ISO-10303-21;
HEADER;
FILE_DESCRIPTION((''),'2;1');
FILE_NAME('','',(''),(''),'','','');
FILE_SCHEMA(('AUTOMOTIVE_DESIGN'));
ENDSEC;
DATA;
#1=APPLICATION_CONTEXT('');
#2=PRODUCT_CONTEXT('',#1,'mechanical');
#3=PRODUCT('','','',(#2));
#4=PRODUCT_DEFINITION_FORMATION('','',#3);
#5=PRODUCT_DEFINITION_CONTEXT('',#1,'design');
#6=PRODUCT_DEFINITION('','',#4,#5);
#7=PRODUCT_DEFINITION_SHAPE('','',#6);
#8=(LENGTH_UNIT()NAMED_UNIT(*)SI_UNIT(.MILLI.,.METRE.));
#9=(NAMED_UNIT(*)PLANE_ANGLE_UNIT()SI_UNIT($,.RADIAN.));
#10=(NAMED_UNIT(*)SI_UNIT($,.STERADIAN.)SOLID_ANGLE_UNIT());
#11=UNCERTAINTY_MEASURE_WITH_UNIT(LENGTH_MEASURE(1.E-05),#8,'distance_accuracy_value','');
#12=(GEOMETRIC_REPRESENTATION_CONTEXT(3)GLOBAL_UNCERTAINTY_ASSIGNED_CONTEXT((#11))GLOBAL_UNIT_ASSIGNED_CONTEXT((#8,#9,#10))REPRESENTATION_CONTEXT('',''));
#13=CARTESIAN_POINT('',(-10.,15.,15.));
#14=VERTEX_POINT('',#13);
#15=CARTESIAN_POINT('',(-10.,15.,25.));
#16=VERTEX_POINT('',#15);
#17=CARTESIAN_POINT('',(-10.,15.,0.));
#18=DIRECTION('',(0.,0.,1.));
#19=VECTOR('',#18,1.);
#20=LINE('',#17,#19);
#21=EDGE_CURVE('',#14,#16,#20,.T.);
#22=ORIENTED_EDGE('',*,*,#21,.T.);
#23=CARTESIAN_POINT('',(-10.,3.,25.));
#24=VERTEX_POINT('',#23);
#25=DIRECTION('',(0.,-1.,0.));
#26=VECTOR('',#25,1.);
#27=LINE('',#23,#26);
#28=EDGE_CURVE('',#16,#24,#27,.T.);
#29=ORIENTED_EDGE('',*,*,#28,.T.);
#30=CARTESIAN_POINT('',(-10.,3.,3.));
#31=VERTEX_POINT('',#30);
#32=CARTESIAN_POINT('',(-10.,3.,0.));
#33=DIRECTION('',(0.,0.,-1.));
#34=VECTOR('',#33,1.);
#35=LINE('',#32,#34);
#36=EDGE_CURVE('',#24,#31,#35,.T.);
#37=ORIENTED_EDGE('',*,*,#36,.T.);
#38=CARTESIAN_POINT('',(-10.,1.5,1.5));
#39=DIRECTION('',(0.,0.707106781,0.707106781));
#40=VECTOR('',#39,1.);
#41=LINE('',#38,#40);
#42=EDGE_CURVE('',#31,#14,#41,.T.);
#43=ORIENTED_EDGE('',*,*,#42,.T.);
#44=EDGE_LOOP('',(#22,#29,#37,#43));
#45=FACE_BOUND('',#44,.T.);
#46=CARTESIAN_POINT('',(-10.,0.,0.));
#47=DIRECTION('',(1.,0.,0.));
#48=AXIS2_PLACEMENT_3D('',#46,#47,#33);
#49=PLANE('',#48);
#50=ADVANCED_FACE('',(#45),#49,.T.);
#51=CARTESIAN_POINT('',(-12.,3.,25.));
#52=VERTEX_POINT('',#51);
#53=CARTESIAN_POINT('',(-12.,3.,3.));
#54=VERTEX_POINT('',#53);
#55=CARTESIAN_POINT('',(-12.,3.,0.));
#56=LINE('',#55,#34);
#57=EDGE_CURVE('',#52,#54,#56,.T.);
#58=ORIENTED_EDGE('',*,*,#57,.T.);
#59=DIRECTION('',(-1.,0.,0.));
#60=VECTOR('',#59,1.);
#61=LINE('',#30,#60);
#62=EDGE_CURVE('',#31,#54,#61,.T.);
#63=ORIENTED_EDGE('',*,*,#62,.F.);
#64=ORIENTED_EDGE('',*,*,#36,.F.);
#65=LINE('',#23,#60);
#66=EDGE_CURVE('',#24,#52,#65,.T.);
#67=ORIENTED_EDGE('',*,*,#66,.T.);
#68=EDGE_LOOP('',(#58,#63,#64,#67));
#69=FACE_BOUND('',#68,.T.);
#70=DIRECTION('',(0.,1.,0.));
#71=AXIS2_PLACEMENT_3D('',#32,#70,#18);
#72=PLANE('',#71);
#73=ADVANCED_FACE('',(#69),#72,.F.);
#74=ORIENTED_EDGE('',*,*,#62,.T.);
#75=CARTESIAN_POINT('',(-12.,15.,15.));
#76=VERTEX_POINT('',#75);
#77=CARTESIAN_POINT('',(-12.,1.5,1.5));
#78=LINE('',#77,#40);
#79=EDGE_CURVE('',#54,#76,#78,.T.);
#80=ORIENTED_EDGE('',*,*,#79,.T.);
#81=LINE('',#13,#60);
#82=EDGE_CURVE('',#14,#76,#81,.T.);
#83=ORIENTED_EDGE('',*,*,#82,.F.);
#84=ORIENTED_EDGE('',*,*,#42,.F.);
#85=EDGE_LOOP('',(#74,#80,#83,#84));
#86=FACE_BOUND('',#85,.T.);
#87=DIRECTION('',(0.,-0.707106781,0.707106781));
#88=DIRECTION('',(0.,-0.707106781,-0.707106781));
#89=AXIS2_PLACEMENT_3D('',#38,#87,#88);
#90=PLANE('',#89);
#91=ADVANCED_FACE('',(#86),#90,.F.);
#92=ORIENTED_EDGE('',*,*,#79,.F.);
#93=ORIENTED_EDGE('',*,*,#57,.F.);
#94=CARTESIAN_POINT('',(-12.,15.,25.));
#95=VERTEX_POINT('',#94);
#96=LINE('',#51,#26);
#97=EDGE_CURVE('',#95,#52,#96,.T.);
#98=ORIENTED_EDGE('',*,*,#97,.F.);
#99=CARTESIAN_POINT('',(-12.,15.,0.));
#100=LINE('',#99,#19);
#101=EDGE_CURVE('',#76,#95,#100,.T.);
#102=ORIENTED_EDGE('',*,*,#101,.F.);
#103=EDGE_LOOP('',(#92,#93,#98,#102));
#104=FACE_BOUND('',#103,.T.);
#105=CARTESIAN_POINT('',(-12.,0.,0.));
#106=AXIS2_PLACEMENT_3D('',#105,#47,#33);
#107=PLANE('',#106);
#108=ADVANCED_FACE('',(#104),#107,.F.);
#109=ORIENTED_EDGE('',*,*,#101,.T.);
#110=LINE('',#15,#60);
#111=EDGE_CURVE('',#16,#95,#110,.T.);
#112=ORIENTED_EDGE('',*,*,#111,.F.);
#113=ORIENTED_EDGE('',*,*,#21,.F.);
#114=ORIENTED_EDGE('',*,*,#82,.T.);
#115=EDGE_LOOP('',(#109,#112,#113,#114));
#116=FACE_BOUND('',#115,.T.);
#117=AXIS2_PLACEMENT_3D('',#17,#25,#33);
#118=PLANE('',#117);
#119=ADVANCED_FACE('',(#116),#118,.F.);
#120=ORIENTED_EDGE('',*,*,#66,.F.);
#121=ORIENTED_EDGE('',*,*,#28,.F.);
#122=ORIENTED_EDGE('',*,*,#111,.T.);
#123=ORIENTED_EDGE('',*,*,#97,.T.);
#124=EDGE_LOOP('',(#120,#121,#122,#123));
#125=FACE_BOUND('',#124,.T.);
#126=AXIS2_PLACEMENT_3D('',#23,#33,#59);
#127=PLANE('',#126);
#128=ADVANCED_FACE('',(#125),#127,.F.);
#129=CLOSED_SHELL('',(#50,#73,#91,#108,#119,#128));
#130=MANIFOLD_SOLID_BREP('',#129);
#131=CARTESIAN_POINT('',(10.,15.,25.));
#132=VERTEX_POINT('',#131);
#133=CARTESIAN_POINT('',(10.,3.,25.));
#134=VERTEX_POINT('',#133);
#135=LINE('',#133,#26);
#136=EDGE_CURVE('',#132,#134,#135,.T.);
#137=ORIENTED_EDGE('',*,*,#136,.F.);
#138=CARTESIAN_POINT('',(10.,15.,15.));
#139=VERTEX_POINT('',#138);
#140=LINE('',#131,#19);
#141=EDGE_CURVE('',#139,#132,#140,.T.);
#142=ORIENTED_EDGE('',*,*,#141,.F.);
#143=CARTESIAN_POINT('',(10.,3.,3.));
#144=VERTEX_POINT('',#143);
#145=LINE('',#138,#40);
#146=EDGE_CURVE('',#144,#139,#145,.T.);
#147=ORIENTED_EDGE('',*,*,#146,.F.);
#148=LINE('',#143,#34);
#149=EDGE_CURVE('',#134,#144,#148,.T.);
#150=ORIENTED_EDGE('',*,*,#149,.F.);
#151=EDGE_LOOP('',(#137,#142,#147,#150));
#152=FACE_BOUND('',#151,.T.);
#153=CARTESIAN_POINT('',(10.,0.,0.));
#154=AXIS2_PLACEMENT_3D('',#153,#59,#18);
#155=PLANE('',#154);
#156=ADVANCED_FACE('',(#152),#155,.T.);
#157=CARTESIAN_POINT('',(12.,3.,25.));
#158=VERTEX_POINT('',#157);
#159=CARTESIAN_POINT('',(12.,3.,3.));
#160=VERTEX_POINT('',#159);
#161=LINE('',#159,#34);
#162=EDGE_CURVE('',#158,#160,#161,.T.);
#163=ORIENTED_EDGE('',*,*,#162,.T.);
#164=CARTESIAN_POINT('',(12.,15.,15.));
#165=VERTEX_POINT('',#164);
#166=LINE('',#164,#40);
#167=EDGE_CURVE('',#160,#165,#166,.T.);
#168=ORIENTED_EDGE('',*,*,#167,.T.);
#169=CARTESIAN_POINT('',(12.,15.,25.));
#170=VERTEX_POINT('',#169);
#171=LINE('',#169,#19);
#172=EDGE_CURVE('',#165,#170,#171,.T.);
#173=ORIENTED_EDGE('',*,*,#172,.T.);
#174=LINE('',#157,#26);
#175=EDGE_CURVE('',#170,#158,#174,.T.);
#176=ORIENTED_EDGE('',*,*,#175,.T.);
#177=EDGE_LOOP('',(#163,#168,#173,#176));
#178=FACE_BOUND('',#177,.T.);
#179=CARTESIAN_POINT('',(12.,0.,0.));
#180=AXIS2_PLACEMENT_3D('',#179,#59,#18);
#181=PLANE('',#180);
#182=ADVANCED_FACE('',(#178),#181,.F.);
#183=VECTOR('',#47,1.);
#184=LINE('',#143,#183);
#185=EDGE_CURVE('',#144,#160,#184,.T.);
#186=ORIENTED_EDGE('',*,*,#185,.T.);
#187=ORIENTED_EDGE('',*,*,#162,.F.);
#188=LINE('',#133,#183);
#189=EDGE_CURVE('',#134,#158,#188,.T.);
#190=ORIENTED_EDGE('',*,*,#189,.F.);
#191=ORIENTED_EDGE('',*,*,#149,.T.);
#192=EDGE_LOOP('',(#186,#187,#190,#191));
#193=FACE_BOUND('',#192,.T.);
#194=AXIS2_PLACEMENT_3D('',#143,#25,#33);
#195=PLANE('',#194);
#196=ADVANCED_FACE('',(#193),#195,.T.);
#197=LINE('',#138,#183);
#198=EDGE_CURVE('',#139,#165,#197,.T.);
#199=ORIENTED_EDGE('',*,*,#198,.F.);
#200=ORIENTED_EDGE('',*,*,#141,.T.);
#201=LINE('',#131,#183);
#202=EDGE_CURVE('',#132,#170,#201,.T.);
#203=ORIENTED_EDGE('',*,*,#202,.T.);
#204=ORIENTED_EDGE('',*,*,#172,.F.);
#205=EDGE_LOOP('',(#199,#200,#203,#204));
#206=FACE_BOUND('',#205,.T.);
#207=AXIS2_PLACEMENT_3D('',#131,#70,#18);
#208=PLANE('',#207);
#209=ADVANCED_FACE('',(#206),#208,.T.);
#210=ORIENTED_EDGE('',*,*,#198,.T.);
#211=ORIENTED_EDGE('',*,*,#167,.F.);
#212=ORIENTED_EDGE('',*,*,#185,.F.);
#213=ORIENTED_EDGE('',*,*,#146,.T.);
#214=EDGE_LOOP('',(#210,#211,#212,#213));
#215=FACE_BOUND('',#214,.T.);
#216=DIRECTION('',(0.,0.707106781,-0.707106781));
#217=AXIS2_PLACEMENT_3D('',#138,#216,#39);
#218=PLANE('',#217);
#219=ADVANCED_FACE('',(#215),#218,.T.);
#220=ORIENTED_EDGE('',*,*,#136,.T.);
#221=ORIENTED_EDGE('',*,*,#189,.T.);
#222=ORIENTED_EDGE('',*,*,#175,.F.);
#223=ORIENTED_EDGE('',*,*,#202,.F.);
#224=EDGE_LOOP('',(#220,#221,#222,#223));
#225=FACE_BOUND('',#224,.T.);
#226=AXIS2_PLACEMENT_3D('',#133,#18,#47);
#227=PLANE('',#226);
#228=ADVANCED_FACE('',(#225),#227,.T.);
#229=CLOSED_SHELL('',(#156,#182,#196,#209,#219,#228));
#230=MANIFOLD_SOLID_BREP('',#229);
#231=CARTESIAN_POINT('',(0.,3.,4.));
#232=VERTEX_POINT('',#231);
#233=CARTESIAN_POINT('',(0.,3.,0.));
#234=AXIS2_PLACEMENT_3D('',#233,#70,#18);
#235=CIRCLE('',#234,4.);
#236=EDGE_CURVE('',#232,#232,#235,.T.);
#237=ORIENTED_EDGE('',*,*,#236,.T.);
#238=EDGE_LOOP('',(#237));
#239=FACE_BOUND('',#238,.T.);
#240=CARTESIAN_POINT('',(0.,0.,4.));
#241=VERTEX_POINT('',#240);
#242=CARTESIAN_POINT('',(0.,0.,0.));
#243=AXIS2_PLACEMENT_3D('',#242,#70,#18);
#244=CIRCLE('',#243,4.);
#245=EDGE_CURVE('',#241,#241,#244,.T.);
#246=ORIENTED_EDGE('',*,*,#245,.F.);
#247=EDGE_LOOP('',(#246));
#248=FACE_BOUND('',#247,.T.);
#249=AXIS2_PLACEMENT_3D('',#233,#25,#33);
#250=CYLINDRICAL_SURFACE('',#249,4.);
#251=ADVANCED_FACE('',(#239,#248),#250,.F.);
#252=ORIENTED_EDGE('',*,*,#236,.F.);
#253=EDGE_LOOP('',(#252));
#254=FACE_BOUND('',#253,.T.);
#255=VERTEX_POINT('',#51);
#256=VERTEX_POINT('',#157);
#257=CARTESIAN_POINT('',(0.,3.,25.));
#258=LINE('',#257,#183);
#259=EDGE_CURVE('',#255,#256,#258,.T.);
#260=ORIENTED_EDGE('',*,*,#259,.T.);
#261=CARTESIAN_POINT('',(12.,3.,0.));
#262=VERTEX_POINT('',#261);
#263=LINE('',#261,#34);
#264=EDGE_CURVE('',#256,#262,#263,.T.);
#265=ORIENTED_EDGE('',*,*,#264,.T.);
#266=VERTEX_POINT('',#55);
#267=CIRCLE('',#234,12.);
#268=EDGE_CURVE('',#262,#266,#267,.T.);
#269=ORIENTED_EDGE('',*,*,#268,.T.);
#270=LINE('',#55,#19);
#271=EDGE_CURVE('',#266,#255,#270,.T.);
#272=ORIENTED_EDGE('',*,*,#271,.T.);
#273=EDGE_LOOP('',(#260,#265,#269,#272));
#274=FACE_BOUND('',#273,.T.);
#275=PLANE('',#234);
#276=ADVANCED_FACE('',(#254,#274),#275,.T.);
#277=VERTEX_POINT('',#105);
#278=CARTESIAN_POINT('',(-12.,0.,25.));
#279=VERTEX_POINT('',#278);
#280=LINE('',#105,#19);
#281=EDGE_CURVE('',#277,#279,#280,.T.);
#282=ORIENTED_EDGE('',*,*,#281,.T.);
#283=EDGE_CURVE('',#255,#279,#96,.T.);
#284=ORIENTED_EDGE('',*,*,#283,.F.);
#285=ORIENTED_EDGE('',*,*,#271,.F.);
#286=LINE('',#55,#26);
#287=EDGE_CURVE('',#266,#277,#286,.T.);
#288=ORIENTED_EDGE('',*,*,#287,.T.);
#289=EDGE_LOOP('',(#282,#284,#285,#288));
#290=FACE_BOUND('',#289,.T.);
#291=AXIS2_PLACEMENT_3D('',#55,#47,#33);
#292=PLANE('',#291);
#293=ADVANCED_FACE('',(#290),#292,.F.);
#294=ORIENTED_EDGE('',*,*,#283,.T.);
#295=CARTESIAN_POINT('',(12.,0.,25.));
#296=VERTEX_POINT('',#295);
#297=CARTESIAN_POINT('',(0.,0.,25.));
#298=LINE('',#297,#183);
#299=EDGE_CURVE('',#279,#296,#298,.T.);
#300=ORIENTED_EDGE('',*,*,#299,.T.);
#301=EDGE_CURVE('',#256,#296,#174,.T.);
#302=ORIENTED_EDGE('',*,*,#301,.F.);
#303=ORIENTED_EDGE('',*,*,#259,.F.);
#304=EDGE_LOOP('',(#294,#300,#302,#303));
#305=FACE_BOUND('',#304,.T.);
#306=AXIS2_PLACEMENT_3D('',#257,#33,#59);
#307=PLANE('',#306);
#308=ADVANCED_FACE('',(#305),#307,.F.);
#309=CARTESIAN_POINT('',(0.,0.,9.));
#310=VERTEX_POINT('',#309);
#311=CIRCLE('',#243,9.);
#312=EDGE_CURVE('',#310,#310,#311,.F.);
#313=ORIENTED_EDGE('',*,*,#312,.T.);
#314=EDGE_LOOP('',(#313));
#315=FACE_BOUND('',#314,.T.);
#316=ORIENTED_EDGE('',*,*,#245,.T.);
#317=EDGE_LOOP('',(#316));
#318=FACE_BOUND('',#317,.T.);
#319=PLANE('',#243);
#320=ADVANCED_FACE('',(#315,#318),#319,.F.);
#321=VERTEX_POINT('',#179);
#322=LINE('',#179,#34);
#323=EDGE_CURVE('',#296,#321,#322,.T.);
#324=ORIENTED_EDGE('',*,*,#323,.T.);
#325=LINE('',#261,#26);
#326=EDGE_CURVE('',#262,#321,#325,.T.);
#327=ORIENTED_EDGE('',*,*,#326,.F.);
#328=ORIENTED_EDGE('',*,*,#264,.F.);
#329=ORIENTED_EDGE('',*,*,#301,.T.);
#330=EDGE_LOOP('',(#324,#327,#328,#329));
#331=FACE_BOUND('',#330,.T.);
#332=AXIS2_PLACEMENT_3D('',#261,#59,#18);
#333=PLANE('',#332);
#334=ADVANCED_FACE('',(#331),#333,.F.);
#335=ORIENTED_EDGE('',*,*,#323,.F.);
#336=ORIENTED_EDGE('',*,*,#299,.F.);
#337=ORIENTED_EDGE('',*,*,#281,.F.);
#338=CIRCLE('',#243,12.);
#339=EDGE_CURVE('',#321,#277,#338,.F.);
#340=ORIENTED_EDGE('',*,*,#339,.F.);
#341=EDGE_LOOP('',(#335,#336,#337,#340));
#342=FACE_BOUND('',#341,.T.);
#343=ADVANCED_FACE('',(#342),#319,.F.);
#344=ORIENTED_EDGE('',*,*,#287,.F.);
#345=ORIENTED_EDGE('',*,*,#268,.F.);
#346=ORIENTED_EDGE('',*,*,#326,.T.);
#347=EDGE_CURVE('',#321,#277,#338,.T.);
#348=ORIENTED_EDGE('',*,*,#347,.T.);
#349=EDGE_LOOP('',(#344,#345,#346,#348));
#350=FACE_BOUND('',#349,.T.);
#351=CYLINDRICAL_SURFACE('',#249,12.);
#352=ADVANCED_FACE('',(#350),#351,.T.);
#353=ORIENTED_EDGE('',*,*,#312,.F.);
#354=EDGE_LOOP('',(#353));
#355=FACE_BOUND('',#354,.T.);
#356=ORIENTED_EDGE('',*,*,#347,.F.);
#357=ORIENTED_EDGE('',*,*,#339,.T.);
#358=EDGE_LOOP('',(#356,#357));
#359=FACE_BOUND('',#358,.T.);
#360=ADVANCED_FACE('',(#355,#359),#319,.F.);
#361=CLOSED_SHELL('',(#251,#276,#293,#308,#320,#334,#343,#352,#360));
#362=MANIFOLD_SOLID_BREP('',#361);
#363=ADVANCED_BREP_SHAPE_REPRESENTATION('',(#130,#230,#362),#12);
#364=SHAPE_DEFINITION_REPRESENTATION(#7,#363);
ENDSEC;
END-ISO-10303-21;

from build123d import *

# Parameters (mm, degrees)
SKETCH_1_R          = 12
SKETCH_1_R_2        = 4
EXTRUDE_1_DEPTH     = 3
EXTRUDE_2_DEPTH     = 2
BOSS_EXTRUDE1_START = -24
BOSS_EXTRUDE1_DEPTH = 2


with BuildPart() as part:
    # 草图1 → 凸台-拉伸1 (new body)
    # profile 1 of 2: a face of its own
    with BuildSketch(Plane(origin=(0, 0, 0), x_dir=(1, 0, 0), z_dir=(0, 1, 0))):
        Circle(SKETCH_1_R)
        with Locations(Location((0, 0, 0), (0, 0, 270))):
            Circle(SKETCH_1_R_2, mode=Mode.SUBTRACT)
    # profile 2 of 2: a face of its own
    with BuildSketch(Plane(origin=(0, 0, 0), x_dir=(1, 0, 0), z_dir=(0, 1, 0))):
        with BuildLine():
            ThreePointArc((12, 0), (0, -12), (-12, 0))
            Line((-12, 0), (-12, -25))
            Line((-12, -25), (12, -25))
            Line((12, -25), (12, 0))
        make_face()
    extrude(amount=EXTRUDE_1_DEPTH)


with BuildPart() as body_2:
    # 草图3 → 凸台-拉伸2 (new body)
    with BuildSketch(Plane(origin=(12, 0, 0), x_dir=(0, 0, -1), z_dir=(1, 0, 0))):
        Polygon((-25, 3), (-25, 15), (-15, 15), (-3, 3), align=None)
    extrude(amount=-EXTRUDE_2_DEPTH)


with BuildPart() as body_3:
    # 草图3<2> → Boss-Extrude1 (new body)
    with BuildSketch(Plane(origin=(12, 0, 0), x_dir=(0, 0, -1), z_dir=(1, 0, 0)).offset(BOSS_EXTRUDE1_START)):
        Polygon((-25, 3), (-25, 15), (-15, 15), (-3, 3), align=None)
    extrude(amount=BOSS_EXTRUDE1_DEPTH)


solid = Compound([part.part, body_2.part, body_3.part])
